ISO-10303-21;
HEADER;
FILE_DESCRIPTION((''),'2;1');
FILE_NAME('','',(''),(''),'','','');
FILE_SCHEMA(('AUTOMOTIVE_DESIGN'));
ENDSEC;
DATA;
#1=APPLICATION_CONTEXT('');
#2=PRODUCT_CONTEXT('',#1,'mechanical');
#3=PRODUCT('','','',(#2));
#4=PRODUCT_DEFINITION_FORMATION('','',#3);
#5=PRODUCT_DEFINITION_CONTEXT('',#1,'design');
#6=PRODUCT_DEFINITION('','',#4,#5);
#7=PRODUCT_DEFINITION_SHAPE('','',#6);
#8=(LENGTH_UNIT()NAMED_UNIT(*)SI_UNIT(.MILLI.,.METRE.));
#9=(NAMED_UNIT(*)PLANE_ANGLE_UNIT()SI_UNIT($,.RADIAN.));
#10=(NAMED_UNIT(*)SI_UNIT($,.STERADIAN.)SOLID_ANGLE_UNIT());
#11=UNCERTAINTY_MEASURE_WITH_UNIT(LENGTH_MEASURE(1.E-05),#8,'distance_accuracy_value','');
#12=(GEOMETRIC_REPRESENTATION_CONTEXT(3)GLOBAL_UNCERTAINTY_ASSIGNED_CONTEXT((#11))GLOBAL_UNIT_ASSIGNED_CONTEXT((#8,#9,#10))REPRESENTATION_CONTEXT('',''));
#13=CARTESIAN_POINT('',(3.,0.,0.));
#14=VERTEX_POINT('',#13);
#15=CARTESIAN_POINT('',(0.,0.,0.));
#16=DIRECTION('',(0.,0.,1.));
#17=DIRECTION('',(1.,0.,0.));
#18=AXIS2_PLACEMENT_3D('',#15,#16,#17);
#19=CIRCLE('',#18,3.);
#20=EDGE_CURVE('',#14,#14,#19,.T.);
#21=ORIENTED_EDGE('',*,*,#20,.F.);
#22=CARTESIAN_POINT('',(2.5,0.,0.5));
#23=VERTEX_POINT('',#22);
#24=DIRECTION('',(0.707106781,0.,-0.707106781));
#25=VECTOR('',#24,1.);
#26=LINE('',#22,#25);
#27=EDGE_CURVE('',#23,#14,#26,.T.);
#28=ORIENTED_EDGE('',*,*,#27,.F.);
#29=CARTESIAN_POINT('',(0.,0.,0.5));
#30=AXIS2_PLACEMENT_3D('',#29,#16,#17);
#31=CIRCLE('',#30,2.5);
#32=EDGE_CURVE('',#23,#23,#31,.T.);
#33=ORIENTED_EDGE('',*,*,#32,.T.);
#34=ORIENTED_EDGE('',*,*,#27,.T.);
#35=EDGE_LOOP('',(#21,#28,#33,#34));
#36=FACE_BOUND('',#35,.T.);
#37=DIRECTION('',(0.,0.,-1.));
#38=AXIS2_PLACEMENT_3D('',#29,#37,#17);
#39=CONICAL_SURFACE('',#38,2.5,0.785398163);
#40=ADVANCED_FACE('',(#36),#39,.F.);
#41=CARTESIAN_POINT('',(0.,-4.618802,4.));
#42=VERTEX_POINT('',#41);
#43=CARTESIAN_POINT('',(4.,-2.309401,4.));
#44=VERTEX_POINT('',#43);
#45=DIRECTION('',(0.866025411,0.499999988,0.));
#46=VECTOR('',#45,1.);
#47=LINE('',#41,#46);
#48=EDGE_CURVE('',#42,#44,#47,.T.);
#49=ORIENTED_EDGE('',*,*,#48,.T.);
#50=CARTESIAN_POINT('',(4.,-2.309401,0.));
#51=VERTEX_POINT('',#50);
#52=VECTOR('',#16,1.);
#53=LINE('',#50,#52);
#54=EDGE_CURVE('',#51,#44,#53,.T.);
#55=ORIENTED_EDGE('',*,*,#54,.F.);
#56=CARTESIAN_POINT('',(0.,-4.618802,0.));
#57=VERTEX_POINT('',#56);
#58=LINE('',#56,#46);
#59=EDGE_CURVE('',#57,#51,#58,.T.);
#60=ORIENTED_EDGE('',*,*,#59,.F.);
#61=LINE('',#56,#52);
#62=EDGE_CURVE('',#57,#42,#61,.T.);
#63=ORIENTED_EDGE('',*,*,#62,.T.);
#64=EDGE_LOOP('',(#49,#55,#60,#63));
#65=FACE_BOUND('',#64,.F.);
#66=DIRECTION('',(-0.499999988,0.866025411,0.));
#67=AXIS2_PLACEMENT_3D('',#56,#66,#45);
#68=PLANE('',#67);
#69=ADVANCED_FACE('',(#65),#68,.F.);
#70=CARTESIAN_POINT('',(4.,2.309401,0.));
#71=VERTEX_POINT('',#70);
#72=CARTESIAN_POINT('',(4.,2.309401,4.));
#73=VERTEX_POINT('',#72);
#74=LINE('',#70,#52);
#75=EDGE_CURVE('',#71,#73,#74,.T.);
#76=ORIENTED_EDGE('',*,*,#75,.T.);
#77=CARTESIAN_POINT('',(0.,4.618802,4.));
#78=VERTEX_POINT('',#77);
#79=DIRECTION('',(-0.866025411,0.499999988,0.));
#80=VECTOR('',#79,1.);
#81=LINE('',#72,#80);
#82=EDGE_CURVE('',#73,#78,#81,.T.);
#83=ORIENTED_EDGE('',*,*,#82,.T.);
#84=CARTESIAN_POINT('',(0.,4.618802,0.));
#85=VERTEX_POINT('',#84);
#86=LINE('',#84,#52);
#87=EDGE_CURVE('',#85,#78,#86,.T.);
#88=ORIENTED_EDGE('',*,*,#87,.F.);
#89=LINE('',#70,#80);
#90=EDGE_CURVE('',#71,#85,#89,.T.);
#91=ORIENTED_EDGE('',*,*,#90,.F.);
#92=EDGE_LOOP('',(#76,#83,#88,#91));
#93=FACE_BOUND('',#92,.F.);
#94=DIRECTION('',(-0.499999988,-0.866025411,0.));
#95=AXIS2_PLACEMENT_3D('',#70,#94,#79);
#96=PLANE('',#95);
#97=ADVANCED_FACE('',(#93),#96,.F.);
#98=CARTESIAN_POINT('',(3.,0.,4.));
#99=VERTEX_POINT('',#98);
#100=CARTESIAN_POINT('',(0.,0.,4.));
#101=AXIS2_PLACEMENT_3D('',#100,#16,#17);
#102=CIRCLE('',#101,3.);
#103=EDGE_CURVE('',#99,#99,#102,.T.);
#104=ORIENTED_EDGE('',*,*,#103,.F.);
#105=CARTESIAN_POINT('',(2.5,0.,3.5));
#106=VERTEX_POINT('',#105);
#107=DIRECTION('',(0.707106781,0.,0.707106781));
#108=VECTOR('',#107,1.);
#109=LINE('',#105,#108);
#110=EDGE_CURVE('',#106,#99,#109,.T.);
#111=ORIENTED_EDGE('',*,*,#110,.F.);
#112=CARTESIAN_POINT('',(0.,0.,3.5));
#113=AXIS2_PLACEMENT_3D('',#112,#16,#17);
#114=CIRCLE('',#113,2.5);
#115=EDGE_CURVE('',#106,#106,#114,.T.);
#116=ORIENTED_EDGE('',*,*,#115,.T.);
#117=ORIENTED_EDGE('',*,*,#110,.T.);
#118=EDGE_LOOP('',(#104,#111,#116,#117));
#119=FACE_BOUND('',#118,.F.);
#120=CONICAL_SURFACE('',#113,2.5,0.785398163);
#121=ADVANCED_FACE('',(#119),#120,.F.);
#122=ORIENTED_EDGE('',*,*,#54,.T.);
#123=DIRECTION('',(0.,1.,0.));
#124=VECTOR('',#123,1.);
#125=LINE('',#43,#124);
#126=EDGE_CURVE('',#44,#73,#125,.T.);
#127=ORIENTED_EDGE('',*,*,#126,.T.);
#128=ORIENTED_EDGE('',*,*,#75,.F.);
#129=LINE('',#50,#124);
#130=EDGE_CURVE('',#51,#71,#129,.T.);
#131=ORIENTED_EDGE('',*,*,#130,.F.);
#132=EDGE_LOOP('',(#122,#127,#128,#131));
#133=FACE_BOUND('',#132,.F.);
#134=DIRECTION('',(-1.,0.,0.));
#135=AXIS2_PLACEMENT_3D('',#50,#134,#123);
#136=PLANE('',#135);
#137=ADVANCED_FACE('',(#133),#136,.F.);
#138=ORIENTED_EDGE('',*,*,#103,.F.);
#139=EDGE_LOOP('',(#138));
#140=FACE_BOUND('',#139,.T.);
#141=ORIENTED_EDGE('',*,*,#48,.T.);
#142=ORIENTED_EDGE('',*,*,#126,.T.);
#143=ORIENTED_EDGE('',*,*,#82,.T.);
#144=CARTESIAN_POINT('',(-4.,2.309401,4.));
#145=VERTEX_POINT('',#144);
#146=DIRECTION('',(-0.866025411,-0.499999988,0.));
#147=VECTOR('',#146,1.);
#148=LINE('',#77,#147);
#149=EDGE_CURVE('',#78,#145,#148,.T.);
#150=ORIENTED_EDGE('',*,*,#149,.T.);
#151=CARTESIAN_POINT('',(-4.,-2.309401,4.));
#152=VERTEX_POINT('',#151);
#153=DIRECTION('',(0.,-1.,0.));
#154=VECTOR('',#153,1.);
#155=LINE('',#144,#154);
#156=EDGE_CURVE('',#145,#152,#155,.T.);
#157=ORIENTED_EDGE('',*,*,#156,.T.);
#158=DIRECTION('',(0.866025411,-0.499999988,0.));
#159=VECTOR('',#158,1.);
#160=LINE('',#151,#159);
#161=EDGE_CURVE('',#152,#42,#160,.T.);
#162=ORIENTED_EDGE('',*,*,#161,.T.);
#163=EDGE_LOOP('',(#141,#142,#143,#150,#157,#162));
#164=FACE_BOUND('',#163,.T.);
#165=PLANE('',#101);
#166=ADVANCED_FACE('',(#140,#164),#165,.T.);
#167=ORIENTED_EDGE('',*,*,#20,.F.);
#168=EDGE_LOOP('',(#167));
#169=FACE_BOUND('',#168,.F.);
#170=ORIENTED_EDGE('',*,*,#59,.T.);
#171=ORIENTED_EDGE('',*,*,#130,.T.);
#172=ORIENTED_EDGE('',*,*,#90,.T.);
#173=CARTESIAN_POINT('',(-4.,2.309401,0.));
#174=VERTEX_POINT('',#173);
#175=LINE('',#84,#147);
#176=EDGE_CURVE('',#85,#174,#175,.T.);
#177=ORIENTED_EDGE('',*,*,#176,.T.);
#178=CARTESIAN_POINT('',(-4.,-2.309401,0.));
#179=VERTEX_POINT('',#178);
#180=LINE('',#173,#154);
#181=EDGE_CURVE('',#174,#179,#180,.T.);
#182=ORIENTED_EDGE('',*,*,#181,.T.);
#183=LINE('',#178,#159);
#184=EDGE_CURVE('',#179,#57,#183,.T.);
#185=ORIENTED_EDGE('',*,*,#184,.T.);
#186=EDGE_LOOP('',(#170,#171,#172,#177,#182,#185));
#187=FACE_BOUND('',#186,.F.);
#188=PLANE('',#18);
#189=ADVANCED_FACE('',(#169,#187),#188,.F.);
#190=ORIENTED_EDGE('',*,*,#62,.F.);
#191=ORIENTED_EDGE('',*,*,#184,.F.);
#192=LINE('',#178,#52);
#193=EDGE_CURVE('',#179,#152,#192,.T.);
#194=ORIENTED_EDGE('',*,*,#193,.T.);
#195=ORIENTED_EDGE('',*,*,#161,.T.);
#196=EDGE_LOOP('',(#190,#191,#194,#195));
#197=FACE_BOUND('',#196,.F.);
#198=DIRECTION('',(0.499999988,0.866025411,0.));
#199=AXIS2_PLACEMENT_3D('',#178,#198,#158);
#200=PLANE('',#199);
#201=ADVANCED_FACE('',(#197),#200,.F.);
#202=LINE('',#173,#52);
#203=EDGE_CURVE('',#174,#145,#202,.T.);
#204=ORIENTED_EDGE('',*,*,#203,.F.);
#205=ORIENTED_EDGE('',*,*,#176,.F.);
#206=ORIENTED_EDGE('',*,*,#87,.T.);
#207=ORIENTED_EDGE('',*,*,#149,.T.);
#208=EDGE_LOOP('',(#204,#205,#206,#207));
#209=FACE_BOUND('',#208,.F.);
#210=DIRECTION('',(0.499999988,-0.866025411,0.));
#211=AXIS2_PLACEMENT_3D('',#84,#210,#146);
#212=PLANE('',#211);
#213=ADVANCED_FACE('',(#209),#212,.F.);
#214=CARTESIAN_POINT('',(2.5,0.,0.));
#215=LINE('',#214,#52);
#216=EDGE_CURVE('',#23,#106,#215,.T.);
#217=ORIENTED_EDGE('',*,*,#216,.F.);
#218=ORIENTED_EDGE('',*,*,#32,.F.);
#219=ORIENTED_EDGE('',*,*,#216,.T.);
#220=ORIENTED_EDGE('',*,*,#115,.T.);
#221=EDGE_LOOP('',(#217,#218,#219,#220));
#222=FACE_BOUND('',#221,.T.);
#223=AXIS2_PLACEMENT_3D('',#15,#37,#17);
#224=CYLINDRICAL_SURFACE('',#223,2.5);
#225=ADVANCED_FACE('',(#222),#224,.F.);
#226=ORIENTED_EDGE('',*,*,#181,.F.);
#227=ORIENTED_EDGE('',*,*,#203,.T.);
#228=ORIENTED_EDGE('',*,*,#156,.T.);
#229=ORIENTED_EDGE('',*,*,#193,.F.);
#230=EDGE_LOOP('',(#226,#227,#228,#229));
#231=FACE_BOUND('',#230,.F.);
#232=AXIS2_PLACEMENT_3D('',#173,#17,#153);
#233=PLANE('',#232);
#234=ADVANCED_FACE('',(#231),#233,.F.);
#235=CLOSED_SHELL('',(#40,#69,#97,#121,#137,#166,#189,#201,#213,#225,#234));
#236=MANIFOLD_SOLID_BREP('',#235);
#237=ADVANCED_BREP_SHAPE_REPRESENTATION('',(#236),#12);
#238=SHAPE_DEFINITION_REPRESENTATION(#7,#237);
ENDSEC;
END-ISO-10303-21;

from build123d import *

# Parameters (mm, degrees)
F0_R     = 2.5
F1_DEPTH = 4
F2_SIZE  = 0.5


with BuildPart() as f1:
    # F0 (on Top) → F1 (new body)
    with BuildSketch(Plane.XY):
        Polygon((4, -2.309401), (4, 2.309401), (0, 4.618802), (-4, 2.309401), (-4, -2.309401), (0, -4.618802), align=None)
        Circle(F0_R, mode=Mode.SUBTRACT)
    extrude(amount=F1_DEPTH)

    # F2
    f2_edges = [f1.edges().sort_by_distance(p)[0] for p in [
        (-2.5, 0, 4),
        (-2.5, 0, 0),
    ]]
    chamfer(f2_edges, length=F2_SIZE)


solid = f1.part
